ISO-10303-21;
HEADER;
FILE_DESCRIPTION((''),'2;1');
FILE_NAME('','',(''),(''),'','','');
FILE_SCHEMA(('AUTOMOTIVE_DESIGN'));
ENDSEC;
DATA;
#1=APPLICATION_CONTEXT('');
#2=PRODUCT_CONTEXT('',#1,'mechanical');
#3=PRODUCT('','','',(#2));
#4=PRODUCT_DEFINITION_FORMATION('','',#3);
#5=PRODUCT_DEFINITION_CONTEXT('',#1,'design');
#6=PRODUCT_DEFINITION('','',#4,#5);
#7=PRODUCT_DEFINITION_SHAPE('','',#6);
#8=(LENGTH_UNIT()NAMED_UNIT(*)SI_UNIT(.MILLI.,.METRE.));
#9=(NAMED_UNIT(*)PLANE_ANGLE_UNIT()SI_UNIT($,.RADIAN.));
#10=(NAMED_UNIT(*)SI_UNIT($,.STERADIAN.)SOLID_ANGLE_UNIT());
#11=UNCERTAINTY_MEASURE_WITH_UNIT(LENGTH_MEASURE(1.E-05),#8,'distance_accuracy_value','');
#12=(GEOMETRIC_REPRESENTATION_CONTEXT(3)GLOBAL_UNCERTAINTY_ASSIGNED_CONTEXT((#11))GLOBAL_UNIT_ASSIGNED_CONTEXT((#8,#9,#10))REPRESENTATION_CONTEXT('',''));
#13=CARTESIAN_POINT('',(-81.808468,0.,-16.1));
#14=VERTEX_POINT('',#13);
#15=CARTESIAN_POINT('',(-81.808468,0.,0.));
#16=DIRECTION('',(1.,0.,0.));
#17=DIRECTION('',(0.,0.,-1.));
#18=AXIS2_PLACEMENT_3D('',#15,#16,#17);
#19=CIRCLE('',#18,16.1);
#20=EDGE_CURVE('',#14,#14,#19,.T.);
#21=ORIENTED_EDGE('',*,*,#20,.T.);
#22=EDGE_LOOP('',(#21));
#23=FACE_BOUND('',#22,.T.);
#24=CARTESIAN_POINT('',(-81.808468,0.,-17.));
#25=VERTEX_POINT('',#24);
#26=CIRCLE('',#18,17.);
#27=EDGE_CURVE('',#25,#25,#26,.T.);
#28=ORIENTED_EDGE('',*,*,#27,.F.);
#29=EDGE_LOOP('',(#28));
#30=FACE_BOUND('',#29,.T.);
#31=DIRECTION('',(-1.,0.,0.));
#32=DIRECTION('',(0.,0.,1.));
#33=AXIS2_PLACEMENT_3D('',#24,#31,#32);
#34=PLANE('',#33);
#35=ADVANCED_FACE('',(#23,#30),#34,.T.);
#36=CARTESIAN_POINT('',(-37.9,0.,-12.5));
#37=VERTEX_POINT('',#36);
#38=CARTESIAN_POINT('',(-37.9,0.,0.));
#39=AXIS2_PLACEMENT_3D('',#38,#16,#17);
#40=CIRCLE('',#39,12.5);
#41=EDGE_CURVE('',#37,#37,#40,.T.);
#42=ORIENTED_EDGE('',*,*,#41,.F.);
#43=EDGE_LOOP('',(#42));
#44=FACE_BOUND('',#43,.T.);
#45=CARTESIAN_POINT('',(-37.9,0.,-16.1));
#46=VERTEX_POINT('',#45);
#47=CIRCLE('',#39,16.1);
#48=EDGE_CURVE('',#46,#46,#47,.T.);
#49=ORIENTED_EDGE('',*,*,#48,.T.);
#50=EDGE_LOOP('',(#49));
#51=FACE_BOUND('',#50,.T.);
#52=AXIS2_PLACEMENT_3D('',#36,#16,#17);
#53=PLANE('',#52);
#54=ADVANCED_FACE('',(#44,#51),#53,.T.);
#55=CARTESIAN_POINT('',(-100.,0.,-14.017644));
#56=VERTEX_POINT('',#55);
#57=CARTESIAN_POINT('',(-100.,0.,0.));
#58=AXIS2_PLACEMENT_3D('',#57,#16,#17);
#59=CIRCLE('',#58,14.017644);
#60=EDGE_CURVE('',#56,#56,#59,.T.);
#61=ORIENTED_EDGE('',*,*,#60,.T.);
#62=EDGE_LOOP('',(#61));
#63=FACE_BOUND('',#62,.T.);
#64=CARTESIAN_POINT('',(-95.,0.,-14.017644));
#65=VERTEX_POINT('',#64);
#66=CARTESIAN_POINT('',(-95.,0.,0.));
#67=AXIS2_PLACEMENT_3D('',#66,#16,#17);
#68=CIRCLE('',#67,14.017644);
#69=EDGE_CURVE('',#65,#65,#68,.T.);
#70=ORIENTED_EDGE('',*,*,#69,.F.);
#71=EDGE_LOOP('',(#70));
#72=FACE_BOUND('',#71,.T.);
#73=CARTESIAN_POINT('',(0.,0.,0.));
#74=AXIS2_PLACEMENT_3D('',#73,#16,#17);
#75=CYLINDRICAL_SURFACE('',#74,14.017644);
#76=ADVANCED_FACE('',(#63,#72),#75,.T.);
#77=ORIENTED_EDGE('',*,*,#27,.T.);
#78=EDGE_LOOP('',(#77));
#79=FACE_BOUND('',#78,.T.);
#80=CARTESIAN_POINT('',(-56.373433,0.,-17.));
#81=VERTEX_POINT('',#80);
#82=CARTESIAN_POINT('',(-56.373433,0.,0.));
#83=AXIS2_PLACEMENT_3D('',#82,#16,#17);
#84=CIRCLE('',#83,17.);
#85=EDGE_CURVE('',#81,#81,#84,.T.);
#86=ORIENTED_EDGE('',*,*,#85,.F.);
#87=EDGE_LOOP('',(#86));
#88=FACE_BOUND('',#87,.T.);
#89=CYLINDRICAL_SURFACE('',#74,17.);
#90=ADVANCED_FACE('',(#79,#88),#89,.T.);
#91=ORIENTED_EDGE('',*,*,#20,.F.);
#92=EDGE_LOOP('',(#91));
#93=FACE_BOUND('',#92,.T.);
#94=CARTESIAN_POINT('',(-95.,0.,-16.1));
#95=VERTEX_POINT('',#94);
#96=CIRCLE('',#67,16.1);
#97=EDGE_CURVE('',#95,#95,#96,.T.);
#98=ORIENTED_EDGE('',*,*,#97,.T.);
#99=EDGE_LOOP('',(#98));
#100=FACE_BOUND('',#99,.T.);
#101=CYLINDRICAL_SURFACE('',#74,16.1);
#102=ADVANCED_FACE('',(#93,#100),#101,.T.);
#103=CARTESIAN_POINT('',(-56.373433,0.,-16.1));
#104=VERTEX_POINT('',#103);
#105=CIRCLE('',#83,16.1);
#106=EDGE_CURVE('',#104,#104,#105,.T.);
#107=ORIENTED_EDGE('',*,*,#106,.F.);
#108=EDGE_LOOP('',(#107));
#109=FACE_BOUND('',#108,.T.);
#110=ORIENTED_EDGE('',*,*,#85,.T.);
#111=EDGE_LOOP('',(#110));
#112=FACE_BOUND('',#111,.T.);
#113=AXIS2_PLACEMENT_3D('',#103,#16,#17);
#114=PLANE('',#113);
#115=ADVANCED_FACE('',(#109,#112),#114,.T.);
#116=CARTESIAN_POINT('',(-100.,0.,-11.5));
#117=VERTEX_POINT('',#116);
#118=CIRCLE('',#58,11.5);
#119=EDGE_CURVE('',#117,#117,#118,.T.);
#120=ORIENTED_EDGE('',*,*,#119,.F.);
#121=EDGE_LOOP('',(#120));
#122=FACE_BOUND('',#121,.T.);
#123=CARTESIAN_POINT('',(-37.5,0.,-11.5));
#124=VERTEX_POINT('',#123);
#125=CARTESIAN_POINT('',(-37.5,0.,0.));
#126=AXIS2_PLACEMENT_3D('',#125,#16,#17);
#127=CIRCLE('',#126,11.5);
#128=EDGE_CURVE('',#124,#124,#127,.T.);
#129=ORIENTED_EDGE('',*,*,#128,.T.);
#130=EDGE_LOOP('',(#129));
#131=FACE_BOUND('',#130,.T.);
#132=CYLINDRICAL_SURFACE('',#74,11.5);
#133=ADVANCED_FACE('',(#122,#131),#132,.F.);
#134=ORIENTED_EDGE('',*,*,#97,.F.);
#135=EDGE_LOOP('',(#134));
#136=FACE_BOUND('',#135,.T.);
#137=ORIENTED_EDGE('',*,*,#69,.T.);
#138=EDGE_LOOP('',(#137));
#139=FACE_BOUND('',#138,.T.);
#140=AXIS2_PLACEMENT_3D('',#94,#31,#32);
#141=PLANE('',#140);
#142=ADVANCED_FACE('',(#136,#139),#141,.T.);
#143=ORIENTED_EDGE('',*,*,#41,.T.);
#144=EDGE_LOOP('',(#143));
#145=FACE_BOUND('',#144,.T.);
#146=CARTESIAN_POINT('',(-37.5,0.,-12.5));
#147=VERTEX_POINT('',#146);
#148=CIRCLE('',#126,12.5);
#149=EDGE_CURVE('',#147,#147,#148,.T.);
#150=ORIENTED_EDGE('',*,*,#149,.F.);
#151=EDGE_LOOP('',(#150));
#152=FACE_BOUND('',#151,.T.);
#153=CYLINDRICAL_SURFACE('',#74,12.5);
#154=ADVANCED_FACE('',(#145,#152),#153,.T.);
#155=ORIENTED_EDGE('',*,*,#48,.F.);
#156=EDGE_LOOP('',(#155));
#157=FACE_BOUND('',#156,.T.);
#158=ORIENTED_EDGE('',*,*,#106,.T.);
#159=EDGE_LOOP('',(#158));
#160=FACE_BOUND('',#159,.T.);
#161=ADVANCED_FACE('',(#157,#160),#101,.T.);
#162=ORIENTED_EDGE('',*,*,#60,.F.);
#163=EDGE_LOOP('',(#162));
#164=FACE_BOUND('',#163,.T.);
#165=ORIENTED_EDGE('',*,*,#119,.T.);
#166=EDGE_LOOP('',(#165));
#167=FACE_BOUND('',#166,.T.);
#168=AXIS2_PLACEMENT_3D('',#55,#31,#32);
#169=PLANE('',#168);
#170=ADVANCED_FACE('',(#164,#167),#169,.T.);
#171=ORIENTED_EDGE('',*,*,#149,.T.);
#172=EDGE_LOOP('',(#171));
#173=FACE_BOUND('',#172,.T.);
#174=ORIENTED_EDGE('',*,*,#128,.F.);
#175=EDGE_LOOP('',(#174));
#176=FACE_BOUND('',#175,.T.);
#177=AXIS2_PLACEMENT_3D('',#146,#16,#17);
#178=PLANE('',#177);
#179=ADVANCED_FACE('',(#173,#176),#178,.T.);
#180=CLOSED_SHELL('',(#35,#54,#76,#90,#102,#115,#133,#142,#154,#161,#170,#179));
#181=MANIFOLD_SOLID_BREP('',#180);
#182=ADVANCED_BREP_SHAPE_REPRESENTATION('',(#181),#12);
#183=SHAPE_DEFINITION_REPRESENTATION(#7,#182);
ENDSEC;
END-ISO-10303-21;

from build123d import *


with BuildPart() as part:
    # Sketch1 → Revolve1 (revolve)
    with BuildSketch(Plane(origin=(0, 0, 0), x_dir=(1, 0, 0), z_dir=(0, 1, 0))):
        Polygon((-37.5, 12.5), (-37.5, 11.5), (-100, 11.5), (-100, 14.01764351), (-95, 14.01764351), (-95, 16.1), (-81.808468411, 16.1), (-81.808468411, 17), (-56.373432924, 17), (-56.373432924, 16.1), (-37.9, 16.1), (-37.9, 12.5), align=None)
    revolve(axis=Axis((0, 0, 0), (-1, 0, 0)))


solid = part.part
